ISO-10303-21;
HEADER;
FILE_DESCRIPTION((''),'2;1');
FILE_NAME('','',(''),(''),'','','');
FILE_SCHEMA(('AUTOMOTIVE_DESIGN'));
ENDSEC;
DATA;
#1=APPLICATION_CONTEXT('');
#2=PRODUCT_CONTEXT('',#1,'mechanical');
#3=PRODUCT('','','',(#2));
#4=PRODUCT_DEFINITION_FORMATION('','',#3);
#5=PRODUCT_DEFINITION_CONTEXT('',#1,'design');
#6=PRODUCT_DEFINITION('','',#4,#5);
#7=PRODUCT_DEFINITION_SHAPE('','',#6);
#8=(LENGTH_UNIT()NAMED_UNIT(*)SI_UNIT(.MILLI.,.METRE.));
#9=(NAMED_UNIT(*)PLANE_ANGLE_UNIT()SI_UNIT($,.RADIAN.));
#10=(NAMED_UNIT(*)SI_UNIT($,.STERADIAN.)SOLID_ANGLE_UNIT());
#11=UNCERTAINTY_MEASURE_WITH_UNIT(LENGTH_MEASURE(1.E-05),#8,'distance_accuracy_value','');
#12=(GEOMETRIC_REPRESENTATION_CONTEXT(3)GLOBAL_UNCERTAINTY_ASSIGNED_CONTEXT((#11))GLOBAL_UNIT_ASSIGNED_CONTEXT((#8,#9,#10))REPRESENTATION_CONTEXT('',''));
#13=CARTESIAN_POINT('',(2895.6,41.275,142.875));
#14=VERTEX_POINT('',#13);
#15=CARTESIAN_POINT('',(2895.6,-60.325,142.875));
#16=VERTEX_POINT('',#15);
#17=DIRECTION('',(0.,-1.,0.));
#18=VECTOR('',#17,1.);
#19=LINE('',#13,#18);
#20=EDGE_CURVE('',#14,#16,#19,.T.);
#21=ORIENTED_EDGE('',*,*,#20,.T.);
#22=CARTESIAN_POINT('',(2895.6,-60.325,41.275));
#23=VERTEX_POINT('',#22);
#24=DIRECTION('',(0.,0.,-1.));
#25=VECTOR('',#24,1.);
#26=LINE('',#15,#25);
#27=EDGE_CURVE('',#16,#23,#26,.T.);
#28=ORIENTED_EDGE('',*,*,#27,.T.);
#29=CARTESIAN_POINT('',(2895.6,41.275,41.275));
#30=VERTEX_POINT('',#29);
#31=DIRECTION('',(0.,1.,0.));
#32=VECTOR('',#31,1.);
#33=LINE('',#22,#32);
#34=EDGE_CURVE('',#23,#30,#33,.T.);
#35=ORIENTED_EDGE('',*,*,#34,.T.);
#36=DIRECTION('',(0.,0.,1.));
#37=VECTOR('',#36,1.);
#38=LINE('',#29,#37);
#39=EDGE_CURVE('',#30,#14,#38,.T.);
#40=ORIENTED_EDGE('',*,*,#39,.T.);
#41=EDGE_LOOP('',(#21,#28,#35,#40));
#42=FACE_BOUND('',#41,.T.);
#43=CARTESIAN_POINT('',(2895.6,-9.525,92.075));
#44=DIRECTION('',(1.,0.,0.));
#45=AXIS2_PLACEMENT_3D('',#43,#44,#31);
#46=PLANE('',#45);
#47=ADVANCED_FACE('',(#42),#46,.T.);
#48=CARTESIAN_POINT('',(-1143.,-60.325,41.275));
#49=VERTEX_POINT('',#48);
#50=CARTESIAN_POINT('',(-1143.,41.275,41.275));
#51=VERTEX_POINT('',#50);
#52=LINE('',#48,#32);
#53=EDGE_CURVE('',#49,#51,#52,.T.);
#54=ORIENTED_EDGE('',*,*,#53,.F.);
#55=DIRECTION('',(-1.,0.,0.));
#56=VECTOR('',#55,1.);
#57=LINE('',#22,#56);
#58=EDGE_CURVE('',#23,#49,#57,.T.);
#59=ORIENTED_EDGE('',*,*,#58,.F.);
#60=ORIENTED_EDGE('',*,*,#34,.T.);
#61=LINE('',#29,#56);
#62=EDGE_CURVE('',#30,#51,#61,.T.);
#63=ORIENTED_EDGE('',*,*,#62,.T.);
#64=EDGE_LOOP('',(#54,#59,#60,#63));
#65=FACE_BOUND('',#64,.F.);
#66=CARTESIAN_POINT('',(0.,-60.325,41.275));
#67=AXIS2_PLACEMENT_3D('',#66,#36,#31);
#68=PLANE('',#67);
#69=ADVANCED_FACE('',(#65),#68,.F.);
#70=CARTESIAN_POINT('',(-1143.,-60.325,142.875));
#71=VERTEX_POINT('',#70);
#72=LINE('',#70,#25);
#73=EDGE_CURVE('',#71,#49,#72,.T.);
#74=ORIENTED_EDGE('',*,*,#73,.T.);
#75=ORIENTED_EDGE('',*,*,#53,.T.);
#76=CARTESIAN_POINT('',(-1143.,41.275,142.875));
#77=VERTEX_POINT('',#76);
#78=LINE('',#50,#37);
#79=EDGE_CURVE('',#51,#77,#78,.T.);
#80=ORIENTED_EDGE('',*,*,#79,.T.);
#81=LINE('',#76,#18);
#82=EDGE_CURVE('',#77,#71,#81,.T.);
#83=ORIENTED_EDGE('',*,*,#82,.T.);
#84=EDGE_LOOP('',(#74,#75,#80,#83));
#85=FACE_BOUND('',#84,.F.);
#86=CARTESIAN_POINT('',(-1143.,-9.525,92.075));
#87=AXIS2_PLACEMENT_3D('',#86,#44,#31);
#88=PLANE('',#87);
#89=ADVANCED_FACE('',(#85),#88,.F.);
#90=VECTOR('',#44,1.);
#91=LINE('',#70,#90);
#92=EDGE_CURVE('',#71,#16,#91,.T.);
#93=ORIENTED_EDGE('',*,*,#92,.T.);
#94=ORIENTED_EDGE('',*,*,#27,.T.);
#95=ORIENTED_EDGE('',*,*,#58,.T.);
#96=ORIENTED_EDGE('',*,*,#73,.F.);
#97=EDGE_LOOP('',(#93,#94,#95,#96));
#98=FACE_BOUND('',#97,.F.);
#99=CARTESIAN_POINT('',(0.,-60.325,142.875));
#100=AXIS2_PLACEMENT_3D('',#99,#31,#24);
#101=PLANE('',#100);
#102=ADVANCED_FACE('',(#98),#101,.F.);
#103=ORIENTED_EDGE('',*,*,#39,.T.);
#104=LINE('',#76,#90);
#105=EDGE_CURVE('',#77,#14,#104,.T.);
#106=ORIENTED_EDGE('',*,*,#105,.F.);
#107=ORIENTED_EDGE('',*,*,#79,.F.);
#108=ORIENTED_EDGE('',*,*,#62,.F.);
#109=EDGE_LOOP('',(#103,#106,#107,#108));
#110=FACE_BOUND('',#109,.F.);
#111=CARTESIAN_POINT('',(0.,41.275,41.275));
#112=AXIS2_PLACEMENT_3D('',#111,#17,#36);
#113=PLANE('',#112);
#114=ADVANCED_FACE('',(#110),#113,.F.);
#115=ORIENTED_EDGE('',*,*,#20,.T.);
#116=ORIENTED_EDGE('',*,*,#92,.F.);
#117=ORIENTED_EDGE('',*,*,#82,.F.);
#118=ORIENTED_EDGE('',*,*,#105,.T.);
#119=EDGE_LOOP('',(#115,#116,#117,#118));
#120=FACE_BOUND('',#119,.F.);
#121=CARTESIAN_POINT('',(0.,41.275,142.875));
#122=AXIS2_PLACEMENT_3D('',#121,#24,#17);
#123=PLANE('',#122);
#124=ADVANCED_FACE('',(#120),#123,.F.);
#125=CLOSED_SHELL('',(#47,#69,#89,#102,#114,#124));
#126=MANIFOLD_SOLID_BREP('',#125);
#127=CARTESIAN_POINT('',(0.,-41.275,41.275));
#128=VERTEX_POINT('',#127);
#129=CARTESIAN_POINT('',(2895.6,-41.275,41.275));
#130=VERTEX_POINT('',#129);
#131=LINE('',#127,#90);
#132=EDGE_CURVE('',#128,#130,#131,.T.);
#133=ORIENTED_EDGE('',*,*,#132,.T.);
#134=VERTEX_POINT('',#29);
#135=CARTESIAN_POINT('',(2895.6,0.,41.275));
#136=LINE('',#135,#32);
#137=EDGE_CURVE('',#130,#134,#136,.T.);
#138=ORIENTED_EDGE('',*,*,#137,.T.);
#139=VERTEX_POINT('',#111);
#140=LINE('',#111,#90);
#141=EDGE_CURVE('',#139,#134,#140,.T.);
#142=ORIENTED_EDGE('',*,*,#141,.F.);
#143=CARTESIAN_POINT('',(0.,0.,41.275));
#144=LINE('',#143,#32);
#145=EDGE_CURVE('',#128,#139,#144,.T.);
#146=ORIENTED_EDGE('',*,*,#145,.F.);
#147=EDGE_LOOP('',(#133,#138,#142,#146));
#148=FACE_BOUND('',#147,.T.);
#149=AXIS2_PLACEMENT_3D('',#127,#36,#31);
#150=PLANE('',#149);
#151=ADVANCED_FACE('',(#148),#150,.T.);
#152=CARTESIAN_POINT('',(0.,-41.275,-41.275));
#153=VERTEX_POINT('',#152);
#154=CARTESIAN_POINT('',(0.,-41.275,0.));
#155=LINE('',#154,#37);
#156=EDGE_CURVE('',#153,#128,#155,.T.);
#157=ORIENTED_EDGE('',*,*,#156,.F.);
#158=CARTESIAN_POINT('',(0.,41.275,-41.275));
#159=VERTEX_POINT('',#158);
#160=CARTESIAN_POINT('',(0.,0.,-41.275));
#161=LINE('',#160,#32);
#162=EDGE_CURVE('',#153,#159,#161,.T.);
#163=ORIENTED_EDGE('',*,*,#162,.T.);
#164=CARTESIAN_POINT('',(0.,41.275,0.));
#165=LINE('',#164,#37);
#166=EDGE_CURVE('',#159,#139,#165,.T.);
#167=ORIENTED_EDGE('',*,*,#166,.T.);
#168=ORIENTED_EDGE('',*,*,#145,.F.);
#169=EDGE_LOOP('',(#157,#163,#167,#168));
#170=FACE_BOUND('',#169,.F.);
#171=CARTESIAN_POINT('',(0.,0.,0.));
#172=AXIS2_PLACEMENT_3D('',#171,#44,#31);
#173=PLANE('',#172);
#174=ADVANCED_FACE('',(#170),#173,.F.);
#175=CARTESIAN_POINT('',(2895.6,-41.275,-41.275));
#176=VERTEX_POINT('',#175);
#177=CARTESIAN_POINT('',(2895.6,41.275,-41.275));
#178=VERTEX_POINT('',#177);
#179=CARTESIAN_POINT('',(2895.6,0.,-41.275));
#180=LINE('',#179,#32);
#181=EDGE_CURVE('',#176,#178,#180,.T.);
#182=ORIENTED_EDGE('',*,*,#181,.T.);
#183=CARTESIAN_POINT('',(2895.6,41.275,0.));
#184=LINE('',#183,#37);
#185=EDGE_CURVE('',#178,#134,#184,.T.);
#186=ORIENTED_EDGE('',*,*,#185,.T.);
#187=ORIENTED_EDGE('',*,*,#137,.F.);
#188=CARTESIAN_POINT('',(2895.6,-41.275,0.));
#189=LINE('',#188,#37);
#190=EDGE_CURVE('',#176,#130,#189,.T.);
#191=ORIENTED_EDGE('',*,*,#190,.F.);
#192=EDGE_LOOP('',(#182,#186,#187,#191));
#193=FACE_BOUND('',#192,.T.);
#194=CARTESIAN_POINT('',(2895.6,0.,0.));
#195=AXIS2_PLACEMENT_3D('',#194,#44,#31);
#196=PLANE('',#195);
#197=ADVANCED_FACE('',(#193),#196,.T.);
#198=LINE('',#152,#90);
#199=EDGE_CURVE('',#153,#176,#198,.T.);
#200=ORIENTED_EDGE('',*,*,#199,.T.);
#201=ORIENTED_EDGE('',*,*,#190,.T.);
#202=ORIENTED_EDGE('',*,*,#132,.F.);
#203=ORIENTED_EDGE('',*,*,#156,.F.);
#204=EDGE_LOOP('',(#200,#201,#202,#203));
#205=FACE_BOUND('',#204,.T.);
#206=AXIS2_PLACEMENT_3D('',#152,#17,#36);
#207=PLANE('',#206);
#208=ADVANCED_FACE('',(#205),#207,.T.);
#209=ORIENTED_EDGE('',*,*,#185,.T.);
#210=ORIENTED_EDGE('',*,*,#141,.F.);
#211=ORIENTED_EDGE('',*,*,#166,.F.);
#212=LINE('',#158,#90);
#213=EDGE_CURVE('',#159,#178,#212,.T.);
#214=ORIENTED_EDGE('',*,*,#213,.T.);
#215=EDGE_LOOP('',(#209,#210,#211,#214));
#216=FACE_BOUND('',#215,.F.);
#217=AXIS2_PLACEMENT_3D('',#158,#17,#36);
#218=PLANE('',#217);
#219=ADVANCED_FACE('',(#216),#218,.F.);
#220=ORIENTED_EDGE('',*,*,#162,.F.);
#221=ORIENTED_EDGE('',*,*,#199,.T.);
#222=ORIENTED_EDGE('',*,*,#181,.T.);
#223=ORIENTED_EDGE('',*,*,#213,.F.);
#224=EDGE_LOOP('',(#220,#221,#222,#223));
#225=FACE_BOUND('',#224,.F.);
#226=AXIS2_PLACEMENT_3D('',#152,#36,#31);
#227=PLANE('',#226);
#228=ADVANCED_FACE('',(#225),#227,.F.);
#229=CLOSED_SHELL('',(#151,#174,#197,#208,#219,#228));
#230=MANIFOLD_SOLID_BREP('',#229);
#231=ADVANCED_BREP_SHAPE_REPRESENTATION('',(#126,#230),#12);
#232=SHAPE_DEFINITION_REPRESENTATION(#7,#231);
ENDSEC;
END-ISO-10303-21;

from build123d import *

# Parameters (mm, degrees)
F0_W          = 82.55
F0_H          = 82.55
F1_DEPTH      = 2895.6
F2_DEPTH      = 1143
F2_DEPTH_BACK = 2895.6


with BuildPart() as f1:
    # F0 (on Right) → F1 (new body)
    with BuildSketch(Plane.YZ):
        Rectangle(F0_W, F0_H)
    extrude(amount=F1_DEPTH)


with BuildPart() as f2:
    # F0 (on Right) → F2 (new body, two sides)
    with BuildSketch(Plane.YZ) as f2_sk:
        Polygon((-41.275, 41.275), (41.275, 41.275), (41.275, 142.875), (-60.325, 142.875), (-60.325, 41.275), align=None)
    extrude(amount=-F2_DEPTH)
    extrude(f2_sk.sketch, amount=F2_DEPTH_BACK)


solid = Compound([f1.part, f2.part])
